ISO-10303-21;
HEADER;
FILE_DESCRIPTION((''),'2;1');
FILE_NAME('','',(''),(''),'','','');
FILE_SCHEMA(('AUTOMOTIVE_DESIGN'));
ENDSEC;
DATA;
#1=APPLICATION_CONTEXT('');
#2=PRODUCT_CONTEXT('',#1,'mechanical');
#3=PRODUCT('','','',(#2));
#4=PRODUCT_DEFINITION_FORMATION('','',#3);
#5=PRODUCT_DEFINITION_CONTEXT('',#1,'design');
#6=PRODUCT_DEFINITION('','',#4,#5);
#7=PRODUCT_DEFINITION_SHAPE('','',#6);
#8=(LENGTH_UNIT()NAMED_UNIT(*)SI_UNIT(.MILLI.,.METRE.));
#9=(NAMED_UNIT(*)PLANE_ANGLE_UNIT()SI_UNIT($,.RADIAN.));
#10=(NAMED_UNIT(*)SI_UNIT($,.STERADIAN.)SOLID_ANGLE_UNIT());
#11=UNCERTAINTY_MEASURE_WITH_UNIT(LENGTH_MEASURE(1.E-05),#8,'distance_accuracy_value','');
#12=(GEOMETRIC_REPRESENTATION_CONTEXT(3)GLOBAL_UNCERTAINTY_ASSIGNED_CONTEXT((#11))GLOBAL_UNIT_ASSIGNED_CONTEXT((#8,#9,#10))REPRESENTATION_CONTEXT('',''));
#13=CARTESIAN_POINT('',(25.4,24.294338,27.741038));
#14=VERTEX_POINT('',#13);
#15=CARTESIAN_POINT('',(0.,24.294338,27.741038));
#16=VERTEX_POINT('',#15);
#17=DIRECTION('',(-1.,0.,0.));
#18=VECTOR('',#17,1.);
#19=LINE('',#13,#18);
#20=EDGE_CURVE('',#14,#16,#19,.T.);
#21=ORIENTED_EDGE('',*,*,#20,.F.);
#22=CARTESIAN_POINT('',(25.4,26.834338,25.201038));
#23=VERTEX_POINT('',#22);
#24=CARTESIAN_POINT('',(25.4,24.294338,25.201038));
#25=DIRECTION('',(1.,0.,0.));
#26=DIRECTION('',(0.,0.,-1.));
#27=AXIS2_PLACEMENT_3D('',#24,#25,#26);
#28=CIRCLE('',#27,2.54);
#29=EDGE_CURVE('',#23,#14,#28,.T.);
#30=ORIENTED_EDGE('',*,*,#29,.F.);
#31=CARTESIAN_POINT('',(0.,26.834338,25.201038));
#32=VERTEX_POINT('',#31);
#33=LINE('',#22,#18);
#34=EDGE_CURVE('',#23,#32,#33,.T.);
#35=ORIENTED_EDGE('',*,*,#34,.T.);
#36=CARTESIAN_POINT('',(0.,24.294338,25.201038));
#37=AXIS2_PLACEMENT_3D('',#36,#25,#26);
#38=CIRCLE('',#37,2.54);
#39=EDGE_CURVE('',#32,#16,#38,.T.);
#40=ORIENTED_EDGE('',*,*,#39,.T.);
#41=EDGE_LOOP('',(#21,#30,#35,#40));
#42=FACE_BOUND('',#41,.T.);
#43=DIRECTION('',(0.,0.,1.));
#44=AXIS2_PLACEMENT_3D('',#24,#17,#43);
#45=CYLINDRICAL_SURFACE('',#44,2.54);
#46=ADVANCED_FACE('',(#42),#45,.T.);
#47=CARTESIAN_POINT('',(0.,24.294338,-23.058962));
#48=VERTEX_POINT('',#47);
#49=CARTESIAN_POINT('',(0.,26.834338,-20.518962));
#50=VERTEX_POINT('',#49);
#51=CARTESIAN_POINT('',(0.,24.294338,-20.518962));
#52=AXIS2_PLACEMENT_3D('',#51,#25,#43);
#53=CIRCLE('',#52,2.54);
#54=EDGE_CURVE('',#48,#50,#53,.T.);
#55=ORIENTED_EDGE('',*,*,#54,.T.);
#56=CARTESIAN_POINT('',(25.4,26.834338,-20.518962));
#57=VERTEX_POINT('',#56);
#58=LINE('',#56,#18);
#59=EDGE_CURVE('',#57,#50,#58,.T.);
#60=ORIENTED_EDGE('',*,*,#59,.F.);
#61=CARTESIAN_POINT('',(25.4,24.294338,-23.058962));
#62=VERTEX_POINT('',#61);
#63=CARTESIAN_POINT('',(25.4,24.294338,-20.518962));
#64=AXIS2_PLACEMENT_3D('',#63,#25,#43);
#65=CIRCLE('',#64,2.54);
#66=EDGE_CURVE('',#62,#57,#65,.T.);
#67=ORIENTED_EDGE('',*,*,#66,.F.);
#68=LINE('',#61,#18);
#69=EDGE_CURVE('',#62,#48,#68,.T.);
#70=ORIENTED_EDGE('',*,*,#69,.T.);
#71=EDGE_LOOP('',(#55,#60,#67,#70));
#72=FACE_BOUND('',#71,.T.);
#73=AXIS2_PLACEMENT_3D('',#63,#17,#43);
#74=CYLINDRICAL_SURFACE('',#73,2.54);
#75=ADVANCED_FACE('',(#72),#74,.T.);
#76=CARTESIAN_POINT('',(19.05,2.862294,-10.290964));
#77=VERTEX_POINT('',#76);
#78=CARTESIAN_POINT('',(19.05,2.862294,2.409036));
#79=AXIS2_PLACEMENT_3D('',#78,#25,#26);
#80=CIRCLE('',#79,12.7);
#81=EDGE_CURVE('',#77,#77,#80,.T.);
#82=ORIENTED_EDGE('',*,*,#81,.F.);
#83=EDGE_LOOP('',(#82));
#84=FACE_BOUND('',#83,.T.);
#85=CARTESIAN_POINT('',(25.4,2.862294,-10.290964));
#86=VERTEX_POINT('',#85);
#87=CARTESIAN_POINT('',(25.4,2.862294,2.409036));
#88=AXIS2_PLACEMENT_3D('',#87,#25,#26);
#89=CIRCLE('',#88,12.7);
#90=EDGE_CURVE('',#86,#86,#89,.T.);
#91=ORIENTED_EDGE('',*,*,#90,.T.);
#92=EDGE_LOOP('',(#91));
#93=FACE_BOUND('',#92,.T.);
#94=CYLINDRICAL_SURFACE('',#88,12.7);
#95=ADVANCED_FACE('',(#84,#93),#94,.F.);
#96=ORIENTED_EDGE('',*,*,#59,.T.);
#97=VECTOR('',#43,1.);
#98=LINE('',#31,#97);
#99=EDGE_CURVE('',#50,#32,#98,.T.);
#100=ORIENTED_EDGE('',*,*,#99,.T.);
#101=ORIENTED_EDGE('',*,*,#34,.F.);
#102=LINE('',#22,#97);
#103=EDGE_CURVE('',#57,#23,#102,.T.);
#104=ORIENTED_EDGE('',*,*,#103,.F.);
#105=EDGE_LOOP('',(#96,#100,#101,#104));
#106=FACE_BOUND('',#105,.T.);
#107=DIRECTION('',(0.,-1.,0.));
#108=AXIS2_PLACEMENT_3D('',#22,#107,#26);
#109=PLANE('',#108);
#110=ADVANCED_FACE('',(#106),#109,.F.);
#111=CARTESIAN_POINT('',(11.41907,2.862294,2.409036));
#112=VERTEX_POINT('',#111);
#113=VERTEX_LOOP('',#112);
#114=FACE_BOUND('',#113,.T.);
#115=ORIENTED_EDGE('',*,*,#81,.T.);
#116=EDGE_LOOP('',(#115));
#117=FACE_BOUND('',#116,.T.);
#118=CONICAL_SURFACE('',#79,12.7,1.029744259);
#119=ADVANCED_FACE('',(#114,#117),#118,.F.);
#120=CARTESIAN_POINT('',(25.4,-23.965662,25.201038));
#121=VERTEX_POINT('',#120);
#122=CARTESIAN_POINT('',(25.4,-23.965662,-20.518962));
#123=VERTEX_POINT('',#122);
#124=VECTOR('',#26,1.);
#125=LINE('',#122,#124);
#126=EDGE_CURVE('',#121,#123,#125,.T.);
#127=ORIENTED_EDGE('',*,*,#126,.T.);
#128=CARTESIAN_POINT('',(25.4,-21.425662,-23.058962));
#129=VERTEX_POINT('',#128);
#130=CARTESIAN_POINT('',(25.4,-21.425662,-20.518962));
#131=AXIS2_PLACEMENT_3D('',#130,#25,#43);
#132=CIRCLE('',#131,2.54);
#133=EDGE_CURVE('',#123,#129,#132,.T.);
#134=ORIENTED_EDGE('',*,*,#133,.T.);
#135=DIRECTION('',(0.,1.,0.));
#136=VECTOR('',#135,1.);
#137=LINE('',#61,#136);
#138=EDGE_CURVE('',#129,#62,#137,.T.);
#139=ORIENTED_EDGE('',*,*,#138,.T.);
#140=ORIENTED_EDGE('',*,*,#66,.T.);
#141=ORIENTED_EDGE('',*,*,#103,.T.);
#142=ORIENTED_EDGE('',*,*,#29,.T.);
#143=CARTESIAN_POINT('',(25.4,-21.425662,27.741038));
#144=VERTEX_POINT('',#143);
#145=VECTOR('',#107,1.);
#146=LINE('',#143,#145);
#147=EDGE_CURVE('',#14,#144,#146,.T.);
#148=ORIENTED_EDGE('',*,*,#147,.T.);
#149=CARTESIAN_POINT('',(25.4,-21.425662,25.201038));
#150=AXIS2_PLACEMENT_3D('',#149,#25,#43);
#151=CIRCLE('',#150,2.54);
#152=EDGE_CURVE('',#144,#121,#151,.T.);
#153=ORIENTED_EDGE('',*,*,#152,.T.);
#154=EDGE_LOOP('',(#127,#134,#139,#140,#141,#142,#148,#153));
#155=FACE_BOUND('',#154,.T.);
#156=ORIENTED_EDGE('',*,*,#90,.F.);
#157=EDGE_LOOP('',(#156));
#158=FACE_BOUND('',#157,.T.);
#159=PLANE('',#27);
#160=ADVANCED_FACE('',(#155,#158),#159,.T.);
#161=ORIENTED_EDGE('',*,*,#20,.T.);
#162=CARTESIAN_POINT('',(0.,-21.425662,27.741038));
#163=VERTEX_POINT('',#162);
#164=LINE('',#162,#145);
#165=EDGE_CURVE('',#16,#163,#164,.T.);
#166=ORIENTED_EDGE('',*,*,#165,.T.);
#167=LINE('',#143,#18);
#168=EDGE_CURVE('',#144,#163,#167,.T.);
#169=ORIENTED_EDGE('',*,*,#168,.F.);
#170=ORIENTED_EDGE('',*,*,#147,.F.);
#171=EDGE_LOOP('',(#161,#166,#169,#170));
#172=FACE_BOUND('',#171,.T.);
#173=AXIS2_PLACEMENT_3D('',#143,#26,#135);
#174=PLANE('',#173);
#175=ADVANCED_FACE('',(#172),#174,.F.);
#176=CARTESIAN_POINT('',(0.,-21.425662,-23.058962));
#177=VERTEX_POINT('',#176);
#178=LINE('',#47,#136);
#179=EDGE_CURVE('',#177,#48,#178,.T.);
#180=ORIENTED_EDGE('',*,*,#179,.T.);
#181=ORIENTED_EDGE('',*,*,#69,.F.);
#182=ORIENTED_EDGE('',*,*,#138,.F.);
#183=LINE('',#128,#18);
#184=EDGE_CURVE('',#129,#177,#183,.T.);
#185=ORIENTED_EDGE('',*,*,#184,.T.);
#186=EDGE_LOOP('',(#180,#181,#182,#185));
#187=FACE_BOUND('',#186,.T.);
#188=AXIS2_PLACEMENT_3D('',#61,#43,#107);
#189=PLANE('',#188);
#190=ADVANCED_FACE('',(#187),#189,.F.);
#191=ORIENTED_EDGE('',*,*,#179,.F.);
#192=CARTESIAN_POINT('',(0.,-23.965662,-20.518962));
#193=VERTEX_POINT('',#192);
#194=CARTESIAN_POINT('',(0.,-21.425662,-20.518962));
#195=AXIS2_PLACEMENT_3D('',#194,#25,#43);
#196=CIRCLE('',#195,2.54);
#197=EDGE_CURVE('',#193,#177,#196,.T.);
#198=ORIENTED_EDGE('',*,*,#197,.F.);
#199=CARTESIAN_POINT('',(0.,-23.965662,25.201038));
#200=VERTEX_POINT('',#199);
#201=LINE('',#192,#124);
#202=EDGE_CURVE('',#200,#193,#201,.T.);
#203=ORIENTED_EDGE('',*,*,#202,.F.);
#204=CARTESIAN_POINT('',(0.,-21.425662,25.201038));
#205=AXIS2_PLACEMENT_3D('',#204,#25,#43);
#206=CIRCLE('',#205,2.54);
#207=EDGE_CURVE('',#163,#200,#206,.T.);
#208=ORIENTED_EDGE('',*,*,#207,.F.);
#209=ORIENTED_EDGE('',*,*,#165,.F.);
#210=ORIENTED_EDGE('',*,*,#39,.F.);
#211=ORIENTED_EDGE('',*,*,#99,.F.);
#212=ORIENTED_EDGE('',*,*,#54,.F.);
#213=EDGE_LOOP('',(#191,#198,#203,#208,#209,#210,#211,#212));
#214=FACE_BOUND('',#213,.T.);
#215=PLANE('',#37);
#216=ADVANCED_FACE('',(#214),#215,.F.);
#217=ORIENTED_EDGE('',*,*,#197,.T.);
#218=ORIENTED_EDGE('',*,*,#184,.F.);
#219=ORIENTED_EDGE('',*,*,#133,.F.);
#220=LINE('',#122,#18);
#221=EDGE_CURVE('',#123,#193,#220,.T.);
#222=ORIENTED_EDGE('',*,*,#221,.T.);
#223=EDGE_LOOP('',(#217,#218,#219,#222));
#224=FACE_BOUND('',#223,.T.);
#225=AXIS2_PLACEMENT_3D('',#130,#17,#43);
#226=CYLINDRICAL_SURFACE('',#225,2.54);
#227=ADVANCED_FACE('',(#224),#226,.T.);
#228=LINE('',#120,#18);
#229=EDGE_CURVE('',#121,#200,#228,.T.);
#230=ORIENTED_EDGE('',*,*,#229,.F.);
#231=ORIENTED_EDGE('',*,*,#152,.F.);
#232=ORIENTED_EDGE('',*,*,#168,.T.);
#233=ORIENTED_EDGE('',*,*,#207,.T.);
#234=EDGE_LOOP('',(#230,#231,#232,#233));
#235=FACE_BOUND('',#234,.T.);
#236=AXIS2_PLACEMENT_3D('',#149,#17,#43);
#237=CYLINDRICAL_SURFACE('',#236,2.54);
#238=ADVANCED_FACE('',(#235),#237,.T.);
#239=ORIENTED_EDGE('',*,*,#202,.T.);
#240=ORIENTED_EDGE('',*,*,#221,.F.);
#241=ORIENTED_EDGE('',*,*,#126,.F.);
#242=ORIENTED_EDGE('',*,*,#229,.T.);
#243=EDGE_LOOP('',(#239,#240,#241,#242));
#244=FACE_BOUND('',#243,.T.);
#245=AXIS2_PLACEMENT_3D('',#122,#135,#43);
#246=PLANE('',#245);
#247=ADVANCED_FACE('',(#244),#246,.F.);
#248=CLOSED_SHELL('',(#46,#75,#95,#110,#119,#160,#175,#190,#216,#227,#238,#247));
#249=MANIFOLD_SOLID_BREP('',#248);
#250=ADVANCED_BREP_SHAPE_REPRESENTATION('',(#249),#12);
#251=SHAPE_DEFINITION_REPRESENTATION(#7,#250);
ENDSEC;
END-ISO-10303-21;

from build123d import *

# Parameters (mm, degrees)
BOSS_EXTRUDE1_DEPTH          = 25.4
F_1_1_0000_DOWEL_HOLE1_D     = 25.4
F_1_1_0000_DOWEL_HOLE1_DEPTH = 6.35
F_1_1_0000_DOWEL_HOLE1_TIP   = 7.630929862


with BuildPart() as part:
    # Sketch2 → Boss-Extrude1 (new body)
    with BuildSketch(Plane(origin=(0, 0, 0), x_dir=(0, 0, -1), z_dir=(1, 0, 0))):
        with BuildLine():
            Line((-25.20103811, 26.834337713), (20.51896189, 26.834337713))
            ThreePointArc((20.51896189, 26.834337713), (22.315013114, 26.090388938), (23.05896189, 24.294337713))
            Line((23.05896189, 24.294337713), (23.05896189, -21.425662287))
            ThreePointArc((23.05896189, -21.425662287), (22.315013114, -23.221713511), (20.51896189, -23.965662287))
            Line((20.51896189, -23.965662287), (-25.20103811, -23.965662287))
            ThreePointArc((-25.20103811, -23.965662287), (-26.997089334, -23.221713511), (-27.74103811, -21.425662287))
            Line((-27.74103811, -21.425662287), (-27.74103811, 24.294337713))
            ThreePointArc((-27.74103811, 24.294337713), (-26.997089334, 26.090388938), (-25.20103811, 26.834337713))
        make_face()
    extrude(amount=BOSS_EXTRUDE1_DEPTH)

    # 1 (1.0000) Dowel Hole1
    with Locations(Plane(origin=(25.4, 0, 0), x_dir=(0, 0, -1), z_dir=(1, 0, 0))):
        with Locations((-2.40903604, 2.862294249)):
            Hole(F_1_1_0000_DOWEL_HOLE1_D / 2, depth=F_1_1_0000_DOWEL_HOLE1_DEPTH)
            with Locations((0, 0, -(F_1_1_0000_DOWEL_HOLE1_DEPTH + F_1_1_0000_DOWEL_HOLE1_TIP / 2))):  # 118° drill point
                Cone(0, F_1_1_0000_DOWEL_HOLE1_D / 2, F_1_1_0000_DOWEL_HOLE1_TIP, mode=Mode.SUBTRACT)


solid = part.part
